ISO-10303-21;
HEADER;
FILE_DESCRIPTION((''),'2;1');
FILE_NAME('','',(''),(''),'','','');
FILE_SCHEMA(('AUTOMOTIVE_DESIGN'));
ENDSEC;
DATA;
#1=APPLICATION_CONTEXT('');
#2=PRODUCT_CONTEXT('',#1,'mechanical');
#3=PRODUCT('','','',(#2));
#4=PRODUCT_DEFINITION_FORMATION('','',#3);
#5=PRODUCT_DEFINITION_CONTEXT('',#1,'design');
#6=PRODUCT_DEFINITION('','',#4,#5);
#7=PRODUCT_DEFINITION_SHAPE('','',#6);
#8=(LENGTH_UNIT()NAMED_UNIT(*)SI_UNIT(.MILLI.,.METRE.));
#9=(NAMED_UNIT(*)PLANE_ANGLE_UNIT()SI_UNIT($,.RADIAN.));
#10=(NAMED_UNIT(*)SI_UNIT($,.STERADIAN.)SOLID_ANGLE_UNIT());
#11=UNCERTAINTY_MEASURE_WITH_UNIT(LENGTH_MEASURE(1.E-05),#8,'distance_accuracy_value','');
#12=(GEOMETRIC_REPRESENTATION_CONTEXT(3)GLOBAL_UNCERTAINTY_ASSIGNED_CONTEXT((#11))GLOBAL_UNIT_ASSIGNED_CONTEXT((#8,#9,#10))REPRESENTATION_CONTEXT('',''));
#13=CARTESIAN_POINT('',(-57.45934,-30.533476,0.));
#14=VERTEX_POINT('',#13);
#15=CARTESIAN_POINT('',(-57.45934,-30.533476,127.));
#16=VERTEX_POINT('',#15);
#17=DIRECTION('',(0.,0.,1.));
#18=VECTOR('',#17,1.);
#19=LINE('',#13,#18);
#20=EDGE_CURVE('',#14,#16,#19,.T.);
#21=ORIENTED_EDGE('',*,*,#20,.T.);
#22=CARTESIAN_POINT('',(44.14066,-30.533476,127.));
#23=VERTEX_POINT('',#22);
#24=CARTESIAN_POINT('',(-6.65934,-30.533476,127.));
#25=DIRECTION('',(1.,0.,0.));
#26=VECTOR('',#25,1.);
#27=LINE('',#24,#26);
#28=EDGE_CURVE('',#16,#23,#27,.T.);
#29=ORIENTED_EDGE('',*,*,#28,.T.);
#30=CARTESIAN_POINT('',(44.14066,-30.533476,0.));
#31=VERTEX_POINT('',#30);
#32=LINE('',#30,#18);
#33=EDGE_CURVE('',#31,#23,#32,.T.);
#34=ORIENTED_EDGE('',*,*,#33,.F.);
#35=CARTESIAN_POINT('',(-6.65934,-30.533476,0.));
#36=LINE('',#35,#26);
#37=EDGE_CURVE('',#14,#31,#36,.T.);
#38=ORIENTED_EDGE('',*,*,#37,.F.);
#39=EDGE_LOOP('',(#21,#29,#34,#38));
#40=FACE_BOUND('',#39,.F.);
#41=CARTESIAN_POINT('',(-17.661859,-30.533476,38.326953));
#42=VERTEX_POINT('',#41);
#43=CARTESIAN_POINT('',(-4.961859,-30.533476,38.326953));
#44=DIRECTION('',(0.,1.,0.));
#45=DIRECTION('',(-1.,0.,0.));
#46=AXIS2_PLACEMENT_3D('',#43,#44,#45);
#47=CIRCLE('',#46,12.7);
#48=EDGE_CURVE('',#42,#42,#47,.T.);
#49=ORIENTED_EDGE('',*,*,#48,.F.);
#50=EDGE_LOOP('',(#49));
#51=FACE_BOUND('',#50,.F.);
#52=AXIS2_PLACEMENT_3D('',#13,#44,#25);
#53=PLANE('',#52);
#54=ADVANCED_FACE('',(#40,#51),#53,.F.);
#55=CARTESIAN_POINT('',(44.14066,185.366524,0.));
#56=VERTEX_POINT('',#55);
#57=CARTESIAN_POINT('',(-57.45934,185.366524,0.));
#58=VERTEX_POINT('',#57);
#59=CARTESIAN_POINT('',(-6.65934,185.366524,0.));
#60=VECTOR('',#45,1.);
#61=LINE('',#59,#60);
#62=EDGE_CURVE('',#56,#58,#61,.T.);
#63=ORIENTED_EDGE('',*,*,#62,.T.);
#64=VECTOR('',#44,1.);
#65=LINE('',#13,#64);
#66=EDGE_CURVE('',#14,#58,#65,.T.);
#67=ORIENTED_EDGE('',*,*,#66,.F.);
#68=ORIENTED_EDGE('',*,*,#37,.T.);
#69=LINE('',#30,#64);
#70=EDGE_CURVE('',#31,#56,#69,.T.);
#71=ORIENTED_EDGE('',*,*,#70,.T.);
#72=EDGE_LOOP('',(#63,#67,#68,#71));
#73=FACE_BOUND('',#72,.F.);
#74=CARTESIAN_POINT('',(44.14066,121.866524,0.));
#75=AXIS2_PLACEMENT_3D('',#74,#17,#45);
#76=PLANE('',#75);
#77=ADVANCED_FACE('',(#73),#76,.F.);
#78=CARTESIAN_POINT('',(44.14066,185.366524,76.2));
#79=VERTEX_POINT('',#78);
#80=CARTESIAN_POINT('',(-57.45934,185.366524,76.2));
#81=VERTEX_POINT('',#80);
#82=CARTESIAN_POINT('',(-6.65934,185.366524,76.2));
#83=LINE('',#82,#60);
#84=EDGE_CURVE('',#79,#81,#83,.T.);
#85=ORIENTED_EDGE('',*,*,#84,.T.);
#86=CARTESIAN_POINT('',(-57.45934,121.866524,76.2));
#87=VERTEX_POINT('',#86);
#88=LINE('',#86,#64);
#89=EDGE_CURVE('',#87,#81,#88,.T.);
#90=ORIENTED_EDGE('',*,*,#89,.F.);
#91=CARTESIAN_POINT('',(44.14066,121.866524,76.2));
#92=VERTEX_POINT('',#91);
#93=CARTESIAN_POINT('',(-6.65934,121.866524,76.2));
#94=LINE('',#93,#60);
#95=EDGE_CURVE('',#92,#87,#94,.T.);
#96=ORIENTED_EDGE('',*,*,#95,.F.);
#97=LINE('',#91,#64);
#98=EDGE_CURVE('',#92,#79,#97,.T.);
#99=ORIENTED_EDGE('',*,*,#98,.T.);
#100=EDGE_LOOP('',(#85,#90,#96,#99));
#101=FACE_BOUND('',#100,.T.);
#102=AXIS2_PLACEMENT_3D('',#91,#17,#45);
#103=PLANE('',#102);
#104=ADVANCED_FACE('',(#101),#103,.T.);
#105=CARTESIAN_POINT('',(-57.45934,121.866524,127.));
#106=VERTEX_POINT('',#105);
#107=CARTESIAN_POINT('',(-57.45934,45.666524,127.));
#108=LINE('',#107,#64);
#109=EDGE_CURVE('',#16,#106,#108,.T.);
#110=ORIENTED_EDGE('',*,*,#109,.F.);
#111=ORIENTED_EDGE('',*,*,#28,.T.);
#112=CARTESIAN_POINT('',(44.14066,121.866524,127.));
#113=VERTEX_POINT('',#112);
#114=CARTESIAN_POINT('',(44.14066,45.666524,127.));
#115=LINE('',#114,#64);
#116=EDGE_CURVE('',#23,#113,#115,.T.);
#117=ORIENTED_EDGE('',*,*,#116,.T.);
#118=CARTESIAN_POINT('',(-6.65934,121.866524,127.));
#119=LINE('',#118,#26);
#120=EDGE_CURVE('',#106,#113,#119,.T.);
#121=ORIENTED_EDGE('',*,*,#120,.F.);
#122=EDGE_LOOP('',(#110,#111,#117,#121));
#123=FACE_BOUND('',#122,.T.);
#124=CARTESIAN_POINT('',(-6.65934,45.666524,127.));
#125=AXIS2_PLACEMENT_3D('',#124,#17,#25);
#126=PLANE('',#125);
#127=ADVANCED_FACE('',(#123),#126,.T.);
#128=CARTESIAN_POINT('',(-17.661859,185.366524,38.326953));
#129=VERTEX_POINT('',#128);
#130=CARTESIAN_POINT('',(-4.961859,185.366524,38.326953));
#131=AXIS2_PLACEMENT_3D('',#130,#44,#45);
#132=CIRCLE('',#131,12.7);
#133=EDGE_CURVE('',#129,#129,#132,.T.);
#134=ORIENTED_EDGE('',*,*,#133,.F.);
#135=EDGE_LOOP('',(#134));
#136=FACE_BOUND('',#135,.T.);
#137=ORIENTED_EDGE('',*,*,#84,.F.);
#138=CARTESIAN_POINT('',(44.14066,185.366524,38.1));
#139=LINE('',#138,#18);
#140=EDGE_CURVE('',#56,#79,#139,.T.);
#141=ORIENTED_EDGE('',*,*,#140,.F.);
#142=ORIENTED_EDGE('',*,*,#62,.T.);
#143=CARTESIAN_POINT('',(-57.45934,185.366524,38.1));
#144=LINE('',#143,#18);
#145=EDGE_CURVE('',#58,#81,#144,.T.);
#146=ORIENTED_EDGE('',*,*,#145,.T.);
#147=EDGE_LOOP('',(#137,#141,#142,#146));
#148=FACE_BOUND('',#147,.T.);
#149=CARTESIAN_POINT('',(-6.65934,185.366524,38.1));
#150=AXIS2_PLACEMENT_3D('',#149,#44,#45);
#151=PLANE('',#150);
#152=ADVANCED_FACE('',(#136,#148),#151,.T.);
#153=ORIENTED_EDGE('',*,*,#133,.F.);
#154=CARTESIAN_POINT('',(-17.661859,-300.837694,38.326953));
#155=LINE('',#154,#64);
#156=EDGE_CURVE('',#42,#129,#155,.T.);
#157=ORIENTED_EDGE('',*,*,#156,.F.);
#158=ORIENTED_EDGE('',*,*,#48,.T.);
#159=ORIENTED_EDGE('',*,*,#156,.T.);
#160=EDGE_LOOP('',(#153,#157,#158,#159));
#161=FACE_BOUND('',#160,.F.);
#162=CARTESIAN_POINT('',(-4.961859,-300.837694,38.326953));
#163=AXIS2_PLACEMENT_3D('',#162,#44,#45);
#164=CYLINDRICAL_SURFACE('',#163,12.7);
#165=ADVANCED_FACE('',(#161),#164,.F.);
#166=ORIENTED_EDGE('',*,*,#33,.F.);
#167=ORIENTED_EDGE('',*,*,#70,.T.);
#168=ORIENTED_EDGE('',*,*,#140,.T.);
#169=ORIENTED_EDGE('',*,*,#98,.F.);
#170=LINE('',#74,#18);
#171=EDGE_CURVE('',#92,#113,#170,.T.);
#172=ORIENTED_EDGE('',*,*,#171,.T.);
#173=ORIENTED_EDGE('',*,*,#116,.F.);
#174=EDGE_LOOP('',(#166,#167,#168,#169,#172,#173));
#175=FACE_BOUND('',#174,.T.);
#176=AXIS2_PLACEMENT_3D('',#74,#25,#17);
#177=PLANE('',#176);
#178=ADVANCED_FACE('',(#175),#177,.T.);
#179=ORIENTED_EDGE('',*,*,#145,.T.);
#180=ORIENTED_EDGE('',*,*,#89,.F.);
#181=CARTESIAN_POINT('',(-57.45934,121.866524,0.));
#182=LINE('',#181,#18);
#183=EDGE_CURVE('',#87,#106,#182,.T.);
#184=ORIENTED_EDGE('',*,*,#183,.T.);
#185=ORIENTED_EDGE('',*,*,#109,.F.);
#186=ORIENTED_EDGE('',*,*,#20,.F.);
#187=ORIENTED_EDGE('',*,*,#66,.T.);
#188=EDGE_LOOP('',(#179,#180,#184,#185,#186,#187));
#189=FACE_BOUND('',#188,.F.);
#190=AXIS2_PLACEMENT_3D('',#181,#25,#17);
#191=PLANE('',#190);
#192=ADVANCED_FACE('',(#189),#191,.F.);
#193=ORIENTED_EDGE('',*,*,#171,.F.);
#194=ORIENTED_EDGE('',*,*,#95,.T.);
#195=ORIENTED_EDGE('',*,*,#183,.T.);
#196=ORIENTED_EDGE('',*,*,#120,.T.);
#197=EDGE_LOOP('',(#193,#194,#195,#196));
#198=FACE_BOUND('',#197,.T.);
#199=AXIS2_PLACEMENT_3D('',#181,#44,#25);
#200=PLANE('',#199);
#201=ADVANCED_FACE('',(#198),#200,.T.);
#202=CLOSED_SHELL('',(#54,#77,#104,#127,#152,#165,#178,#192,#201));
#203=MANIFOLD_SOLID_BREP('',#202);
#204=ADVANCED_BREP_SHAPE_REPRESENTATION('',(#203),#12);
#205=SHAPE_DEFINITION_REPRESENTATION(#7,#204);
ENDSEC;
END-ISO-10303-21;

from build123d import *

# Parameters (mm, degrees)
F0_W     = 101.6
F0_H     = 152.4
F1_DEPTH = 127
F4_W     = 101.6
F4_H     = 76.2
F5_DEPTH = 63.5
F6_D     = 25.4


with BuildPart() as f1:
    # F0 (on Top) → F1 (new body)
    with BuildSketch(Plane.XY):
        with Locations((-6.65934, 45.666524)):
            Rectangle(F0_W, F0_H)
    extrude(amount=F1_DEPTH)

    # F4 (on face) → F5 (join)
    with BuildSketch(Plane(origin=(0, 121.866524, 0), x_dir=(-1, 0, 0), z_dir=(0, 1, 0))):
        with Locations((6.65934, 38.1)):
            Rectangle(F4_W, F4_H)
    extrude(amount=F5_DEPTH)

    # F6 (through all)
    with Locations(Plane.XZ.offset(30.533476)):
        with Locations((-4.961859, 38.326953)):
            Hole(F6_D / 2)


solid = f1.part
